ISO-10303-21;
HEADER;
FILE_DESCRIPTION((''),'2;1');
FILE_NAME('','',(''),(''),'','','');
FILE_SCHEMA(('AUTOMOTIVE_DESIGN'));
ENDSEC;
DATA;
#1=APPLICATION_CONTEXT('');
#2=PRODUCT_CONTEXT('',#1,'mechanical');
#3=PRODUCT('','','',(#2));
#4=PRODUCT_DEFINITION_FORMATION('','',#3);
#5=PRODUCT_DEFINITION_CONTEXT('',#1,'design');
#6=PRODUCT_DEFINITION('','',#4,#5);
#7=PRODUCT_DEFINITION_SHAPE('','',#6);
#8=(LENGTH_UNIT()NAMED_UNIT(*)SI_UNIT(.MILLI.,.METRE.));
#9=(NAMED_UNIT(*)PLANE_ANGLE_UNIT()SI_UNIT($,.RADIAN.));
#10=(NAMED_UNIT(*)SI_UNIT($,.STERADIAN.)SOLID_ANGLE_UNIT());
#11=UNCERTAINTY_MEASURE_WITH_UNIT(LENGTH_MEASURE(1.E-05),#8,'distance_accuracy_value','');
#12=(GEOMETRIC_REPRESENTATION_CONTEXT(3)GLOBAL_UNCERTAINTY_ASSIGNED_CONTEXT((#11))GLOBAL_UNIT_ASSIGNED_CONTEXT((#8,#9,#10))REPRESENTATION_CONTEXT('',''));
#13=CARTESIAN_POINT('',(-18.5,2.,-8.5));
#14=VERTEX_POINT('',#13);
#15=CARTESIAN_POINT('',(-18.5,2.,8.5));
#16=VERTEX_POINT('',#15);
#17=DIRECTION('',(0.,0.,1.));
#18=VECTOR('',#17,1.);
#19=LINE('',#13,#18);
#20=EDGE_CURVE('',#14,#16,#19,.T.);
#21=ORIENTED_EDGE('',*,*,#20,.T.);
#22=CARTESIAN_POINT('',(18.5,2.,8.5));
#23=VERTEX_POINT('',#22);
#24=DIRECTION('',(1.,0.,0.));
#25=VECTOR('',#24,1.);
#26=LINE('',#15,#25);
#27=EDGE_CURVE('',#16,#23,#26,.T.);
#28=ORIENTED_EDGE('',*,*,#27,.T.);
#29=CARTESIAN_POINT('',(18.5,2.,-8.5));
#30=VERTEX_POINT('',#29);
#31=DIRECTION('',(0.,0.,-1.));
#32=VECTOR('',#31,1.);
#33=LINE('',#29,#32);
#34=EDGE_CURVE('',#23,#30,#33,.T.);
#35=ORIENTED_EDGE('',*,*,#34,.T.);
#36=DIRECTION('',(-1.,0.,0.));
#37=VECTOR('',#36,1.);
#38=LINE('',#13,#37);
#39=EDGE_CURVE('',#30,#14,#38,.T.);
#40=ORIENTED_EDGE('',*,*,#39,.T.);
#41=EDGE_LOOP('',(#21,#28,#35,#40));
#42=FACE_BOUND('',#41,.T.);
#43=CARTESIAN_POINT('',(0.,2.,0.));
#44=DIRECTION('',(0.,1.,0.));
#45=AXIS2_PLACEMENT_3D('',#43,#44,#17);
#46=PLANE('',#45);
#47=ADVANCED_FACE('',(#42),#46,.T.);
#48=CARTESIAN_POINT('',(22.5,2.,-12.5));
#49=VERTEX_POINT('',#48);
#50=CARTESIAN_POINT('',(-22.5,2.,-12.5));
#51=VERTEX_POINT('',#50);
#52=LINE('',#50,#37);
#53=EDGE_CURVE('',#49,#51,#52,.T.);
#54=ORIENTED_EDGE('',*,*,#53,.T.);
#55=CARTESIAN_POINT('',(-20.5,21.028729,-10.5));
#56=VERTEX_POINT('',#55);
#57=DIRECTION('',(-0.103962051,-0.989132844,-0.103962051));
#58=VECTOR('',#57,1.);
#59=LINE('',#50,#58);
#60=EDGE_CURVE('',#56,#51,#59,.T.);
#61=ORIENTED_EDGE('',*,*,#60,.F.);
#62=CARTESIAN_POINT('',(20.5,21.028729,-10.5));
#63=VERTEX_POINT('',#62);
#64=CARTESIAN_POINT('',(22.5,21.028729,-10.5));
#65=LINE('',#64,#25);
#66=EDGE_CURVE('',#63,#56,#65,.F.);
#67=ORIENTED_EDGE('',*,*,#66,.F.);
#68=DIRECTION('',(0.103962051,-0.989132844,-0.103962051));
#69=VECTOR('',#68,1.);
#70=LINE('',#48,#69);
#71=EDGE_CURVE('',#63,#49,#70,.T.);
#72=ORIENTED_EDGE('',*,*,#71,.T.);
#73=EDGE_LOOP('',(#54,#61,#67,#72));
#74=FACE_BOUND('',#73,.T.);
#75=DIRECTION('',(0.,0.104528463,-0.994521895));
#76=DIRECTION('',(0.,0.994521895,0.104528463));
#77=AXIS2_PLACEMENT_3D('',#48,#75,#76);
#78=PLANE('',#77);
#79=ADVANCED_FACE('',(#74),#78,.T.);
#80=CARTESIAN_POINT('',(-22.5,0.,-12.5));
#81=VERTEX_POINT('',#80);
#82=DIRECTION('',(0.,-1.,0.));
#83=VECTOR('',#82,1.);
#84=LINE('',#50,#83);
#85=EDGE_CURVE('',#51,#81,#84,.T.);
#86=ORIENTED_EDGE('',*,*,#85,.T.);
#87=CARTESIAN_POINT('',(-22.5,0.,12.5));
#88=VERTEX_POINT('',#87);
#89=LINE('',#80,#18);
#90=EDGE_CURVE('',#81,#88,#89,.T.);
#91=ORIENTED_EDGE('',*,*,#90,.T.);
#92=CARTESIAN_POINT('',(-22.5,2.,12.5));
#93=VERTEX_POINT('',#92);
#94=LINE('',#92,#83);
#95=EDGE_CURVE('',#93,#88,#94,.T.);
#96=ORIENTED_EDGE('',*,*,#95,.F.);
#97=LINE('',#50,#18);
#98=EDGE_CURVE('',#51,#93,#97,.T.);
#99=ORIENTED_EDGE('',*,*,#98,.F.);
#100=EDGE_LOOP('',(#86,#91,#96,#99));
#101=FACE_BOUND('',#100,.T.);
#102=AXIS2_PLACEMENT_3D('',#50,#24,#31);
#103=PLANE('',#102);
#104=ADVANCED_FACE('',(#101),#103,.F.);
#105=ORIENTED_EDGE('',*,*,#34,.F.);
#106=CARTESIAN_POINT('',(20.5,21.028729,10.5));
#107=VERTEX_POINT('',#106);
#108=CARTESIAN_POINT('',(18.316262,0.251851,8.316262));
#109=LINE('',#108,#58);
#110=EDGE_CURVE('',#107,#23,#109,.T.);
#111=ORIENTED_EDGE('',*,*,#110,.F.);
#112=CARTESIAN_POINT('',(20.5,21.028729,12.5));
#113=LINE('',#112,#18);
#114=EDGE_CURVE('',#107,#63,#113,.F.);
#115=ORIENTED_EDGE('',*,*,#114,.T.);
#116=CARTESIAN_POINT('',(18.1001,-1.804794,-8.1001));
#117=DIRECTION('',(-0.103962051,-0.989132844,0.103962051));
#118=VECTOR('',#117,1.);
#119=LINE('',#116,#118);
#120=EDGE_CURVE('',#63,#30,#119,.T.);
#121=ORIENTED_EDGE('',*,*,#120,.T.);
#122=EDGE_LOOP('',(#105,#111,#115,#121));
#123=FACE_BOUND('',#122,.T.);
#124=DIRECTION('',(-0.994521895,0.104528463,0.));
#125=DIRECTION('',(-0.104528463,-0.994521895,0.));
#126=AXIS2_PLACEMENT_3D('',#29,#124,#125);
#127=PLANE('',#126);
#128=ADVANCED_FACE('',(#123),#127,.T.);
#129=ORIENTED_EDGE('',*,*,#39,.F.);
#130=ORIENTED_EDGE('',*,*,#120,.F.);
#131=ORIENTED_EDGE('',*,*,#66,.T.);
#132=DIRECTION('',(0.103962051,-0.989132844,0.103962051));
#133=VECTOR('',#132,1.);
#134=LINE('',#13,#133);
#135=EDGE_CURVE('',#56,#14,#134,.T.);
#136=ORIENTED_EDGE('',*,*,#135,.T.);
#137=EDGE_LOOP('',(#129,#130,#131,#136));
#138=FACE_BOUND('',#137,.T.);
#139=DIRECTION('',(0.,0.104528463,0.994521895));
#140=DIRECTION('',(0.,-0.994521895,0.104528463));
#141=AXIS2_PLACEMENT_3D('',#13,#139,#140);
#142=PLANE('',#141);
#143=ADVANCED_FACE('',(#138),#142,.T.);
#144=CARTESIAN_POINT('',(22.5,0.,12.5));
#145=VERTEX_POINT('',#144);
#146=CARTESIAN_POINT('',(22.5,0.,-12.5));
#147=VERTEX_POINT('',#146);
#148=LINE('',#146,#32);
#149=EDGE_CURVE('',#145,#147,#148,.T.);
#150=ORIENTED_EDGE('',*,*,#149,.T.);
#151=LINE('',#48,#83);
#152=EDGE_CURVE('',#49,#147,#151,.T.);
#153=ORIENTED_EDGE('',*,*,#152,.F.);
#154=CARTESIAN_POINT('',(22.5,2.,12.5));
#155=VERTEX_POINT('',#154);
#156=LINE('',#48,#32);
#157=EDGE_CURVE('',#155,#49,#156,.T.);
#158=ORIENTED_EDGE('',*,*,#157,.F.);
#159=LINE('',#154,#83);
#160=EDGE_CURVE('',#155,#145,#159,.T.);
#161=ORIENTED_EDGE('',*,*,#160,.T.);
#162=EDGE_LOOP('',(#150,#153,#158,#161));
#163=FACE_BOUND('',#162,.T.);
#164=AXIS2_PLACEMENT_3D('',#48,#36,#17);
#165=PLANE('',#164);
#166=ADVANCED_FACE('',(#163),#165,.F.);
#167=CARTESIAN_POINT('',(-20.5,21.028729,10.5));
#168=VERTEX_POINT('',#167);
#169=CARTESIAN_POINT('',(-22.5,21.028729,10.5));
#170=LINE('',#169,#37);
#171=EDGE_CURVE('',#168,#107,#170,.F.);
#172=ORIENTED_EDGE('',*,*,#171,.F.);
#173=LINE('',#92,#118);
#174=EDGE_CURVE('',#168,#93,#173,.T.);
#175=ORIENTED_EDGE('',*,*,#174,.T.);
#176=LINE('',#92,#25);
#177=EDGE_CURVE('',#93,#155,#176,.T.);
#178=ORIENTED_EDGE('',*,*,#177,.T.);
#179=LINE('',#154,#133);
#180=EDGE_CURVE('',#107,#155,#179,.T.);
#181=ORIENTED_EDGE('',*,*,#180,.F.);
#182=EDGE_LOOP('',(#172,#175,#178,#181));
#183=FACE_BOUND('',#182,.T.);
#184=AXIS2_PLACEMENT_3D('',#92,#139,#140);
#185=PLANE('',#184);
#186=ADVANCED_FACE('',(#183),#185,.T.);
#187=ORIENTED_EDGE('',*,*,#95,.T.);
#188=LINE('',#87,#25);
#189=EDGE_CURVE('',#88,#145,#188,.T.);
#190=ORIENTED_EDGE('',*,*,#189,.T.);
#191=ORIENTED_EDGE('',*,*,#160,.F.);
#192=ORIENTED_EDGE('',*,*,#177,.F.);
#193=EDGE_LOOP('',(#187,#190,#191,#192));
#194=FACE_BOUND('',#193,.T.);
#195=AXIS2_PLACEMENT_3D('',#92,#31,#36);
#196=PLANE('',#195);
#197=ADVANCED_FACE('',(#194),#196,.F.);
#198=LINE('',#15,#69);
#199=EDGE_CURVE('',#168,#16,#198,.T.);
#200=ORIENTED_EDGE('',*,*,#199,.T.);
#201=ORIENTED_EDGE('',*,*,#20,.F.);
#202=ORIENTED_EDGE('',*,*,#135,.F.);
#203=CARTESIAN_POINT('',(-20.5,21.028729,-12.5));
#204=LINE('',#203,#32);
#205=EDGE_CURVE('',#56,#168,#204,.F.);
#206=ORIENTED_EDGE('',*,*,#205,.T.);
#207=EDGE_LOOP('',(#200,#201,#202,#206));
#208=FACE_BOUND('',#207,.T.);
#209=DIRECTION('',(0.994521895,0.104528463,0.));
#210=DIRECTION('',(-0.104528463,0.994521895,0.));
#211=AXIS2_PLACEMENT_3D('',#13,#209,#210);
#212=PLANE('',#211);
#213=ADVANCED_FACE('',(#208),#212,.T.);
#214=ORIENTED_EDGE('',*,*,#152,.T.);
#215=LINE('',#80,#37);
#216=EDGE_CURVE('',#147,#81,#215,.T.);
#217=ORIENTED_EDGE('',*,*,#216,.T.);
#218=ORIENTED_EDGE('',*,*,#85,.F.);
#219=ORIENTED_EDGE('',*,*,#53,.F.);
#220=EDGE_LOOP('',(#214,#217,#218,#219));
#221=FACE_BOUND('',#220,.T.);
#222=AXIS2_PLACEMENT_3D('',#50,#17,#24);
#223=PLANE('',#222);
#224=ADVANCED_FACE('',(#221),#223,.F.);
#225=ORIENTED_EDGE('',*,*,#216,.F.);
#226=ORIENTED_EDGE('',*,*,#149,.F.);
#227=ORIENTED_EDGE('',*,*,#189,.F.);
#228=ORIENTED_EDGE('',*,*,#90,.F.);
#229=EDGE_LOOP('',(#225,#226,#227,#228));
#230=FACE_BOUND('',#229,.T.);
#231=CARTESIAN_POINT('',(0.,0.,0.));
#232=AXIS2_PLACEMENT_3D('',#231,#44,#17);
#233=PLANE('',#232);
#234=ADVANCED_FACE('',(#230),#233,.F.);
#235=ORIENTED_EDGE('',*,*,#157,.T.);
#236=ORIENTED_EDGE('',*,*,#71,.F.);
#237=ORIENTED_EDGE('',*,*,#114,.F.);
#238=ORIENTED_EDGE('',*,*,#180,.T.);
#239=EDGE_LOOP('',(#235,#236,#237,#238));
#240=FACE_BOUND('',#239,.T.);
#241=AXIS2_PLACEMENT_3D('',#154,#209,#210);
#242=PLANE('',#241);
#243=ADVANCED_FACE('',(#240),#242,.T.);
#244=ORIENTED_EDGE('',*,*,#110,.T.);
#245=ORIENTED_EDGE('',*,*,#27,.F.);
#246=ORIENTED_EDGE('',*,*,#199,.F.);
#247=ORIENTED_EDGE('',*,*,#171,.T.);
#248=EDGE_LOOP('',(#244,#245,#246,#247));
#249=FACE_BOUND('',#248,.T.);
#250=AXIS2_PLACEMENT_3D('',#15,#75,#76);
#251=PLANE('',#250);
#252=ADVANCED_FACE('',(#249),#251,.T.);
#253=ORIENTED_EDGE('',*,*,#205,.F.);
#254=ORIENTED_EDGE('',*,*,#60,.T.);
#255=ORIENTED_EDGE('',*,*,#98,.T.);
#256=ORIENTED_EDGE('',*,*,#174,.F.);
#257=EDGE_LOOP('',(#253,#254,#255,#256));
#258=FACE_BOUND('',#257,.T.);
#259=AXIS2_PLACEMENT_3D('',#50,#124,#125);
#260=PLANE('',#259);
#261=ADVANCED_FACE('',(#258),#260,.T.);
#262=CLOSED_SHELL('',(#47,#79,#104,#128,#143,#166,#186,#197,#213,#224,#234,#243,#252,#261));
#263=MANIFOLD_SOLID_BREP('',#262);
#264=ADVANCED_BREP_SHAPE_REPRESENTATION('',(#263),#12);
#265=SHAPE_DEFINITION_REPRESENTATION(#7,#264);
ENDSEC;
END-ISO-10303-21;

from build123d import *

# Parameters (mm, degrees)
SKETCH2_W           = 45
SKETCH2_H           = 25
BOSS_EXTRUDE1_DEPTH = 2
SKETCH3_W           = 45
SKETCH3_H           = 25
SKETCH3_W_2         = 37
SKETCH3_H_2         = 17
BOSS_EXTRUDE2_DEPTH = 35
BOSS_EXTRUDE2_TAPER = 6


with BuildPart() as part:
    # Sketch2 → Boss-Extrude1 (new body)
    with BuildSketch(Plane(origin=(0, 0, 0), x_dir=(1, 0, 0), z_dir=(0, 1, 0))):
        Rectangle(SKETCH2_W, SKETCH2_H)
    extrude(amount=BOSS_EXTRUDE1_DEPTH)

    # Sketch3 → Boss-Extrude2 (add)
    with BuildSketch(Plane(origin=(0, 2, 0), x_dir=(1, 0, 0), z_dir=(0, 1, 0))):
        Rectangle(SKETCH3_W, SKETCH3_H)
        Rectangle(SKETCH3_W_2, SKETCH3_H_2, mode=Mode.SUBTRACT)
    extrude(amount=BOSS_EXTRUDE2_DEPTH, taper=BOSS_EXTRUDE2_TAPER)


solid = part.part
